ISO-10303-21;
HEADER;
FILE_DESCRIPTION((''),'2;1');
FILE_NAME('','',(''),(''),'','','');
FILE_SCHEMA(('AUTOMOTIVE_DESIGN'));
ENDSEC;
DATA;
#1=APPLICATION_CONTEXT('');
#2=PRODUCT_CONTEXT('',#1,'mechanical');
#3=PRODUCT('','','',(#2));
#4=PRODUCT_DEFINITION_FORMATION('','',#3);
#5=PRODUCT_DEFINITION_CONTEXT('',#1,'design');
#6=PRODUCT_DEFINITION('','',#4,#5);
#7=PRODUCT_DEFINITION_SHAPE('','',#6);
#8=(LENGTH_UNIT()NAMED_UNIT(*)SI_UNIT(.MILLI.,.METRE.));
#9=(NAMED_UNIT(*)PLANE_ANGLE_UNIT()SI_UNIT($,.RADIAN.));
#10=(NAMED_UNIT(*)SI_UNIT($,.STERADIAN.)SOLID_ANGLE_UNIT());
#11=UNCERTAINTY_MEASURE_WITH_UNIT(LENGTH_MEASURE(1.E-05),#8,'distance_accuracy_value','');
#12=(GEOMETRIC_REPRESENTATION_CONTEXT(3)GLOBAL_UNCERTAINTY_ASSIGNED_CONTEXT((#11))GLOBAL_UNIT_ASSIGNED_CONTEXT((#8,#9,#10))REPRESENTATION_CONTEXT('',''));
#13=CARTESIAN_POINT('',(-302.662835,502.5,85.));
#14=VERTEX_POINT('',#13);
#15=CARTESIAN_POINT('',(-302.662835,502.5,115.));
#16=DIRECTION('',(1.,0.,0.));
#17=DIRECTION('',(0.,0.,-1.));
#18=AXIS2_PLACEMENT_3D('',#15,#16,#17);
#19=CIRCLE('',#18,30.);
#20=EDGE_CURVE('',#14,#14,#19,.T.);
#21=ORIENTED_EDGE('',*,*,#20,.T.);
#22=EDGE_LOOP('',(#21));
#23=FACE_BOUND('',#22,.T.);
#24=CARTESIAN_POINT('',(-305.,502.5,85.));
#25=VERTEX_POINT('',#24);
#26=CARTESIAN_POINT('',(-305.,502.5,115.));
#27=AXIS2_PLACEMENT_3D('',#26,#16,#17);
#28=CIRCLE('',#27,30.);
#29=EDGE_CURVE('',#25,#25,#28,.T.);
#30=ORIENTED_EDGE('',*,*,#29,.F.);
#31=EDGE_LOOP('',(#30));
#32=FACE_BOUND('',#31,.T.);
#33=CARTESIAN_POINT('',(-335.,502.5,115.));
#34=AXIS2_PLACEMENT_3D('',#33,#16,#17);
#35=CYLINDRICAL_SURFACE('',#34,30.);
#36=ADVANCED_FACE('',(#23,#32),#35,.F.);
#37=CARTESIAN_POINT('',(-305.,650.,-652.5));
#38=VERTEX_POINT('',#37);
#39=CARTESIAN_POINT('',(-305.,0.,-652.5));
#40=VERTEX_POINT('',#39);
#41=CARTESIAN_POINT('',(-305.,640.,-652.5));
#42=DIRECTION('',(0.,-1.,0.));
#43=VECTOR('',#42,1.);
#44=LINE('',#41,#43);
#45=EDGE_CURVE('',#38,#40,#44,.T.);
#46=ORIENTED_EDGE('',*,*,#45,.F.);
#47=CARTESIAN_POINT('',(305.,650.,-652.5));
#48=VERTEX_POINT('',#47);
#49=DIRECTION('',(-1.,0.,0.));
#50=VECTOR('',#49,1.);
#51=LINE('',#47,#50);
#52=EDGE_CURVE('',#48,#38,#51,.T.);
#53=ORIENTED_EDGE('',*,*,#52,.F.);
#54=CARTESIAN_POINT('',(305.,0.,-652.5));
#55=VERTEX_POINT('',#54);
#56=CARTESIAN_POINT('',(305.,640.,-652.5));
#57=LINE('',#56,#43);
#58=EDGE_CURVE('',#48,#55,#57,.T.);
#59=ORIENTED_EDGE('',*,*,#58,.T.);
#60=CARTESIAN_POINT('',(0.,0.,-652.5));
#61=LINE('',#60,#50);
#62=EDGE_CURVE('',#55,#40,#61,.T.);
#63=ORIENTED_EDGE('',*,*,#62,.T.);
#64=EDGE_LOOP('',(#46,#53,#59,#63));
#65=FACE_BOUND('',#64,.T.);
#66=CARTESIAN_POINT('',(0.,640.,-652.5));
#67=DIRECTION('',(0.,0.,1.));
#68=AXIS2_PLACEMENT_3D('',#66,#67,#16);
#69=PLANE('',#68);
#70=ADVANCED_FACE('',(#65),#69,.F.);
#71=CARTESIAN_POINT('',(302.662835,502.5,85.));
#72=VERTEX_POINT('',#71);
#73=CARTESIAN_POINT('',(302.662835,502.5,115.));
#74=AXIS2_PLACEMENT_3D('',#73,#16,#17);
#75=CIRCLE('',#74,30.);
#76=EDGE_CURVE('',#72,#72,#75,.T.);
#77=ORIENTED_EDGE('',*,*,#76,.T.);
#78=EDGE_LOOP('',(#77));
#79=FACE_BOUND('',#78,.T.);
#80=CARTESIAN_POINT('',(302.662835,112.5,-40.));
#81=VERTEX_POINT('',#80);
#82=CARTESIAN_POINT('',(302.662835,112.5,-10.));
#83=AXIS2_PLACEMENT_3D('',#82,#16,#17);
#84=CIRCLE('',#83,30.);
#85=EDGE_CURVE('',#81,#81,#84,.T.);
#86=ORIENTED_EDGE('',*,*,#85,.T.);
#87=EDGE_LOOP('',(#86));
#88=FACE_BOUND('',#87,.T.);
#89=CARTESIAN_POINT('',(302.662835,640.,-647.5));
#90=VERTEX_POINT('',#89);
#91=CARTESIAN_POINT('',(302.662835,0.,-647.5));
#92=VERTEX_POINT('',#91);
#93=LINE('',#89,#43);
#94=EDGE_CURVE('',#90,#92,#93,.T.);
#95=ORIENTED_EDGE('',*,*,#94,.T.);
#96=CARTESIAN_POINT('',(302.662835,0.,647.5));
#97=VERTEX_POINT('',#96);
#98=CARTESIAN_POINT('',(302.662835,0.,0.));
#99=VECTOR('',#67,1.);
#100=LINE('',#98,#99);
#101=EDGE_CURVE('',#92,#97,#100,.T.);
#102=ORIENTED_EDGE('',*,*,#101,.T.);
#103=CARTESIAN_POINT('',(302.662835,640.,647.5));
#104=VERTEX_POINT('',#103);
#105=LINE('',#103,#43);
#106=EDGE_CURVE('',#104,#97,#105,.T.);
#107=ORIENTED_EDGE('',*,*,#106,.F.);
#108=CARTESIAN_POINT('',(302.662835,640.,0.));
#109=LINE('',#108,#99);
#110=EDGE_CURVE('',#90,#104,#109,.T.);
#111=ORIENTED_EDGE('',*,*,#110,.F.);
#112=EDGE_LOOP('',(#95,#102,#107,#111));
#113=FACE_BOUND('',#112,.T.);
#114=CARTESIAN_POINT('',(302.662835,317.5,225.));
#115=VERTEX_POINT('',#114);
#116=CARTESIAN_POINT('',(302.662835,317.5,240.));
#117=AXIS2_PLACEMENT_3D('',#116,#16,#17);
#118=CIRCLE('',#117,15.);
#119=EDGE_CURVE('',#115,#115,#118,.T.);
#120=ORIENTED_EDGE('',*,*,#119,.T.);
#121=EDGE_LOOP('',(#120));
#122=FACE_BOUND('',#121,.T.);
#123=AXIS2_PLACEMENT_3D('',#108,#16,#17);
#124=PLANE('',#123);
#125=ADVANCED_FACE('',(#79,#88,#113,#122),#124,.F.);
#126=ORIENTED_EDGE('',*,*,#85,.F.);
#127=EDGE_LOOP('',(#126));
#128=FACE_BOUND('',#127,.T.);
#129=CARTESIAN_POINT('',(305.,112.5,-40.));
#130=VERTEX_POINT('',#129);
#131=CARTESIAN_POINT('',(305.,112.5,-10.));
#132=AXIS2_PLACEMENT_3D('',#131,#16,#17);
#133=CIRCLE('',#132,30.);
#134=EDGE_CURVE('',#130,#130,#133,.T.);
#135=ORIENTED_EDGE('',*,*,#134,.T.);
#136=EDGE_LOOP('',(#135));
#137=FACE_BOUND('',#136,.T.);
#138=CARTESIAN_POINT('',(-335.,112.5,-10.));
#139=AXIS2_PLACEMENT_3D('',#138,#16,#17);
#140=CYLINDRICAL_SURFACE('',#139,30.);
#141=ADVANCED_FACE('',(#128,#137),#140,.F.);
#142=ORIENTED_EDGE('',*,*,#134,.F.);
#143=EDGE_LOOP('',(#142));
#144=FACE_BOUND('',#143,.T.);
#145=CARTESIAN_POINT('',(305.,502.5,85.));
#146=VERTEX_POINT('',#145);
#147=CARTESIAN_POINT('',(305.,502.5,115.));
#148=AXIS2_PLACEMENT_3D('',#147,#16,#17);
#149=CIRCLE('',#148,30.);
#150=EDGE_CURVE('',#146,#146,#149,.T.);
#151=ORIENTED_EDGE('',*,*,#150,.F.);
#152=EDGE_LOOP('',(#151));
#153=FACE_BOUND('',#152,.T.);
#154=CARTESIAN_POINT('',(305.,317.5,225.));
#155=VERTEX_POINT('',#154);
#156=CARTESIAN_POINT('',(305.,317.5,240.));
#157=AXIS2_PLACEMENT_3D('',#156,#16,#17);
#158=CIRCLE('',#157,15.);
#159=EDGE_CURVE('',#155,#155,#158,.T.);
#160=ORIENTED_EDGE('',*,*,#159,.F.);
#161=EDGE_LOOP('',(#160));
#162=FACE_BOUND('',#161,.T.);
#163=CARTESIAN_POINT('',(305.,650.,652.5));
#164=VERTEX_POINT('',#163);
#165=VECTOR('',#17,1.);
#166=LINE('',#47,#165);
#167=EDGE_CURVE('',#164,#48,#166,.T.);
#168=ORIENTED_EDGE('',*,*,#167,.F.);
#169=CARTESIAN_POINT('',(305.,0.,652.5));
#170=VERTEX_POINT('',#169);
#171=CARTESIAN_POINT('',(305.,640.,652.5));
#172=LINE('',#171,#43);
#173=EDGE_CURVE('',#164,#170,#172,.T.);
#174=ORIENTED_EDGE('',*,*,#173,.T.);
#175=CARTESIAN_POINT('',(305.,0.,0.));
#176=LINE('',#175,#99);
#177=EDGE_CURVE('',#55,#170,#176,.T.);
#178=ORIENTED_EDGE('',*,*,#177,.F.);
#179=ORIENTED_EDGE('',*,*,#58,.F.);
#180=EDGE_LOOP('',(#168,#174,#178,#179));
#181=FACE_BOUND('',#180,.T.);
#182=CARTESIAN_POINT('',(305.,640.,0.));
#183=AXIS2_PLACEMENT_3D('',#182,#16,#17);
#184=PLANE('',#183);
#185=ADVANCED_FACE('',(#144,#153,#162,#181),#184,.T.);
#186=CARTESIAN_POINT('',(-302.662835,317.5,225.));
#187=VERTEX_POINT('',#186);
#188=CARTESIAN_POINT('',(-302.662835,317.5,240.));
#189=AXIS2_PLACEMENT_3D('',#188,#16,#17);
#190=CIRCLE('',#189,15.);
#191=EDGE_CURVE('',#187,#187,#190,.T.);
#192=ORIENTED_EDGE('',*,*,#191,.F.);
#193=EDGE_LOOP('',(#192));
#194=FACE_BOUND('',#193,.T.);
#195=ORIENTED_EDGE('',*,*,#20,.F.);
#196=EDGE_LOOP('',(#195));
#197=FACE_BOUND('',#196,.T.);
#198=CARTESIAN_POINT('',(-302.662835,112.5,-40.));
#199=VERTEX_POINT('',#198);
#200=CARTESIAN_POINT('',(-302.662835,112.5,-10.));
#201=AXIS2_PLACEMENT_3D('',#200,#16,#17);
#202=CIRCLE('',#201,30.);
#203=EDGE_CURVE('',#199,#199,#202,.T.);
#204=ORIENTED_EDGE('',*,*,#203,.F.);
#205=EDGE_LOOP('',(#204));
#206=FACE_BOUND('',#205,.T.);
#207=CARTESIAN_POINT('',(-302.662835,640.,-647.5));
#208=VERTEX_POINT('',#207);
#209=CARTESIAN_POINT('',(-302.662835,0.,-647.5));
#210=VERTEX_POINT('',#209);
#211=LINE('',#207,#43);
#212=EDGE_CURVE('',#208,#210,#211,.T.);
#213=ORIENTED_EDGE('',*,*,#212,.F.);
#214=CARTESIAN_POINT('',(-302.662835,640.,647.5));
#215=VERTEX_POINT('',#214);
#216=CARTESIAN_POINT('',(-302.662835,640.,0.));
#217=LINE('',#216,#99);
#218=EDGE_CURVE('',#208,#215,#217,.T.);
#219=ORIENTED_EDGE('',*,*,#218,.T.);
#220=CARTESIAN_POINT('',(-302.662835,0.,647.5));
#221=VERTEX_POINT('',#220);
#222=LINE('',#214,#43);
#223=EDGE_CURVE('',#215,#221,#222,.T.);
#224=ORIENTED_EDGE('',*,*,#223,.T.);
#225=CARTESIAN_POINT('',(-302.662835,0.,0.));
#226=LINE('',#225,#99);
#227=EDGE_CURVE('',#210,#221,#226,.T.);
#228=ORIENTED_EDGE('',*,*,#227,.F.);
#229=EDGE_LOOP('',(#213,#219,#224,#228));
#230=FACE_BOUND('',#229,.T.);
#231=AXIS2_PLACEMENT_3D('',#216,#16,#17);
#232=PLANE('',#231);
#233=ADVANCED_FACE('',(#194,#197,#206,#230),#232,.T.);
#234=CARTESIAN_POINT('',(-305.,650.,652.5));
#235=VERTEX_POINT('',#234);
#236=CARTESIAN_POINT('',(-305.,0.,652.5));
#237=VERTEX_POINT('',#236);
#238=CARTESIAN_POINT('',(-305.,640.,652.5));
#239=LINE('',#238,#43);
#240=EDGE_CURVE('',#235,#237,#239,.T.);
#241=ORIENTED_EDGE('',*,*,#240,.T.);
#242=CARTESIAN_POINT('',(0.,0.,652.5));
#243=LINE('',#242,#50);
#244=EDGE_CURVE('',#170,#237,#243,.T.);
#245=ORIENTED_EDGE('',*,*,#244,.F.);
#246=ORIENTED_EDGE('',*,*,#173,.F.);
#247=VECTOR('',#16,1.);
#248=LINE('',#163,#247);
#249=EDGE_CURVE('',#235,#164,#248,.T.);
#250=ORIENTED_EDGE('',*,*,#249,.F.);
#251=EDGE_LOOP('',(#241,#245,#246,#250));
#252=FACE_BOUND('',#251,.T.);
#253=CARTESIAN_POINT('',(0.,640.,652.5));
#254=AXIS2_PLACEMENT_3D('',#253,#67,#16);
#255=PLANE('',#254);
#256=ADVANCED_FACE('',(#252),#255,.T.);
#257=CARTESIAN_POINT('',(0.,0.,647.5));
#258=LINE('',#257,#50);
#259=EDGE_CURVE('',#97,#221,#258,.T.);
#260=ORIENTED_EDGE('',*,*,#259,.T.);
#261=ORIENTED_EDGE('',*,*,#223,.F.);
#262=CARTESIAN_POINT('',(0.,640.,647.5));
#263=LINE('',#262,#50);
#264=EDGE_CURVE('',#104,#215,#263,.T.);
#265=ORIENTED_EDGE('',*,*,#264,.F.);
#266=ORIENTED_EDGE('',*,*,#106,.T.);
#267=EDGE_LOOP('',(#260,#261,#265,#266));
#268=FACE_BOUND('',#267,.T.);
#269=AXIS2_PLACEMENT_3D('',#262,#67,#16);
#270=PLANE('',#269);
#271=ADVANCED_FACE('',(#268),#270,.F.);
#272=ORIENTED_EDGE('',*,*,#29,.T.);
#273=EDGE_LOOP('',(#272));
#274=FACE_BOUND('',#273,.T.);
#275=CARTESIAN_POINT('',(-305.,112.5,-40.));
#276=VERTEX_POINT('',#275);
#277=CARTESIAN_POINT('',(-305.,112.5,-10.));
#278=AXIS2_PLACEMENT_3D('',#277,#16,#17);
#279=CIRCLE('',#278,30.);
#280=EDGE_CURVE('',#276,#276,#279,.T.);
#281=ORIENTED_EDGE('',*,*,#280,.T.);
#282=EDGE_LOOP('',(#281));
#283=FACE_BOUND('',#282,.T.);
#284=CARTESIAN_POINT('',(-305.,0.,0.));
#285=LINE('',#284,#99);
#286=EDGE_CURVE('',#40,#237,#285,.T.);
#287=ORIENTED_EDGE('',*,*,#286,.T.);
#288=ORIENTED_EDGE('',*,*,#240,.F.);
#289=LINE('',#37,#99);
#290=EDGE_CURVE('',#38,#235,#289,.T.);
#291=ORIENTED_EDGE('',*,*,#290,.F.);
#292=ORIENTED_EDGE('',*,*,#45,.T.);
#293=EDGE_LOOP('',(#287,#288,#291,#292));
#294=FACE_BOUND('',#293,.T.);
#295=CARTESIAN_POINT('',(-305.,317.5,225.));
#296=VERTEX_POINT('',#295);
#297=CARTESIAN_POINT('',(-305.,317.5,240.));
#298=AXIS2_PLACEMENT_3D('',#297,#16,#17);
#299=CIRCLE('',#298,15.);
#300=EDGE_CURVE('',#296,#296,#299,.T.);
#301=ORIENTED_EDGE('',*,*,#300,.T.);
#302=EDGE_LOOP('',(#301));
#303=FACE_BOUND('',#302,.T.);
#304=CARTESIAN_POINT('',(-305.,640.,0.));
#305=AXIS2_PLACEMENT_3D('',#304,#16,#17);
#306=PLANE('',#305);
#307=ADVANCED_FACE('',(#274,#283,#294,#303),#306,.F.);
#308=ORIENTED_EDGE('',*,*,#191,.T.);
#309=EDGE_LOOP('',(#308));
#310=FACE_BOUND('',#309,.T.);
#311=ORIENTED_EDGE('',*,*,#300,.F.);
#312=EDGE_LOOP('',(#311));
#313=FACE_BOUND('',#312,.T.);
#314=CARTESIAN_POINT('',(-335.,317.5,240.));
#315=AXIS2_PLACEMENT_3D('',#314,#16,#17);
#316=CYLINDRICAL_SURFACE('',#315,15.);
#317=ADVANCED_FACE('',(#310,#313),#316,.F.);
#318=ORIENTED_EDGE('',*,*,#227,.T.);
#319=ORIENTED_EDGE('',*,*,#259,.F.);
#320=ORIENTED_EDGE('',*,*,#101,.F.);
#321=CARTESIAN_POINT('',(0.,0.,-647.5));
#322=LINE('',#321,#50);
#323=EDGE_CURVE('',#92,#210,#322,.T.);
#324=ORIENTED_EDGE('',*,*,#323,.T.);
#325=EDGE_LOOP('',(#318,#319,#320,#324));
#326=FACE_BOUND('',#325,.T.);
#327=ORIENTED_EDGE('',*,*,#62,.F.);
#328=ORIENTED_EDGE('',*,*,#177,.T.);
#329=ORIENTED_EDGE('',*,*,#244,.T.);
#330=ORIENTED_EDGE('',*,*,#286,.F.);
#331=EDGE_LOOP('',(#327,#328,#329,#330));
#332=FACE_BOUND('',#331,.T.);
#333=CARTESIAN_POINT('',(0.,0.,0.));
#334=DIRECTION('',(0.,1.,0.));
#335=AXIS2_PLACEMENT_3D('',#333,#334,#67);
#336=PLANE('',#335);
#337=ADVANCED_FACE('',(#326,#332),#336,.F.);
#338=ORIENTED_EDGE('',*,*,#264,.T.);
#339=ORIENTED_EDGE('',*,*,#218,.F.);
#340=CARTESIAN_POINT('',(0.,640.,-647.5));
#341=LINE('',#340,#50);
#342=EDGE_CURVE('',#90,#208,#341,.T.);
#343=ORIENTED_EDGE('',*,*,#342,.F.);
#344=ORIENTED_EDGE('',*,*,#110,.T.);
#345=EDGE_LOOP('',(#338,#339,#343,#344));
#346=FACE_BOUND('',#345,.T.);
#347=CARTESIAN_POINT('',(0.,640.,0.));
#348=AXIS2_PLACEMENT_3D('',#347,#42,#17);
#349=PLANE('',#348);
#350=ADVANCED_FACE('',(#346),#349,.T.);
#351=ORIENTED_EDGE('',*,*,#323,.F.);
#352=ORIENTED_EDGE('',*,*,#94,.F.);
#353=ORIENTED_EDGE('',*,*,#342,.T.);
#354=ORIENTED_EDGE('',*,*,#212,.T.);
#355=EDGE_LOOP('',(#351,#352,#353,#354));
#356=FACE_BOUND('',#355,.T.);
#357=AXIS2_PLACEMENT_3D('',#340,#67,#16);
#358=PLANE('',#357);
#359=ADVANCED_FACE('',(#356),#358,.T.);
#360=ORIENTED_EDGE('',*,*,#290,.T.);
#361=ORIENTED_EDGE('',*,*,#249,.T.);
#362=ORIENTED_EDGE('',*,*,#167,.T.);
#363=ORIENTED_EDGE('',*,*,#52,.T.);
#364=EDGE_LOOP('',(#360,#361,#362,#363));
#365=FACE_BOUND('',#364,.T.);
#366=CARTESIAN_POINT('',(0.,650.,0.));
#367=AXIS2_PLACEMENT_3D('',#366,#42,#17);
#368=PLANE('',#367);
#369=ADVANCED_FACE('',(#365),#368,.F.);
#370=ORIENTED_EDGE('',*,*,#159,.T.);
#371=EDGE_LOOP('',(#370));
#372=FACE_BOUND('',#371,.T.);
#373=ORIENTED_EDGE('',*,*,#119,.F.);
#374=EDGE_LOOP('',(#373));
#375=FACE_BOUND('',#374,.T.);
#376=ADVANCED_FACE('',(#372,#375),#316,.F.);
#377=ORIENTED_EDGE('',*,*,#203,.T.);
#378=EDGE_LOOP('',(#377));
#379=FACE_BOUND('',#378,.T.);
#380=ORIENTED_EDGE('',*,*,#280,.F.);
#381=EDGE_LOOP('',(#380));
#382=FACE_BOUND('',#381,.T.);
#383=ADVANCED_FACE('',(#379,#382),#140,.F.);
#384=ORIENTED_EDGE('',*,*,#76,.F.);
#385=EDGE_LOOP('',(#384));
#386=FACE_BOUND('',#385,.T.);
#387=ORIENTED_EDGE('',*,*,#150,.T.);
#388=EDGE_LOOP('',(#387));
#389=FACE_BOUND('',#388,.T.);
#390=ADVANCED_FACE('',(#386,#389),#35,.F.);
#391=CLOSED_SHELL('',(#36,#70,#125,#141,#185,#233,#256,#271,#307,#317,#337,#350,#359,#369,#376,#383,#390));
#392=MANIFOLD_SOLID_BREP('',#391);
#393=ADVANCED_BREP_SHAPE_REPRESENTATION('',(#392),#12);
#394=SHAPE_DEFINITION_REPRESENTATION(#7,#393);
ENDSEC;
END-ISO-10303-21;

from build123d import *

# Parameters (mm, degrees)
SKETCH3_W           = 610
SKETCH3_H           = 1305
SKETCH3_W_2         = 605.325670498
SKETCH3_H_2         = 1295
BOSS_EXTRUDE2_DEPTH = 640
SKETCH4_R           = 30
SKETCH4_R_2         = 15
CUT_EXTRUDE1_DEPTH  = 640
SKETCH5_W           = 610
SKETCH5_H           = 1305
BOSS_EXTRUDE3_DEPTH = 10


with BuildPart() as part:
    # Sketch3 → Boss-Extrude2 (new body)
    with BuildSketch(Plane(origin=(0, 0, 0), x_dir=(1, 0, 0), z_dir=(0, 1, 0))):
        Rectangle(SKETCH3_W, SKETCH3_H)
        Rectangle(SKETCH3_W_2, SKETCH3_H_2, mode=Mode.SUBTRACT)
    extrude(amount=BOSS_EXTRUDE2_DEPTH)

    # Sketch4 → Cut-Extrude1 (cut)
    with BuildSketch(Plane(origin=(305, 0, 0), x_dir=(0, 0, -1), z_dir=(1, 0, 0))):
        with Locations((-115, 502.5)):
            Circle(SKETCH4_R)
        with Locations((10, 112.5)):
            Circle(SKETCH4_R)
        with Locations((-240, 317.5)):
            Circle(SKETCH4_R_2)
    extrude(amount=-CUT_EXTRUDE1_DEPTH, mode=Mode.SUBTRACT)

    # Sketch5 → Boss-Extrude3 (add)
    with BuildSketch(Plane(origin=(0, 640, 0), x_dir=(1, 0, 0), z_dir=(0, 1, 0))):
        Rectangle(SKETCH5_W, SKETCH5_H)
    extrude(amount=BOSS_EXTRUDE3_DEPTH)


solid = part.part
